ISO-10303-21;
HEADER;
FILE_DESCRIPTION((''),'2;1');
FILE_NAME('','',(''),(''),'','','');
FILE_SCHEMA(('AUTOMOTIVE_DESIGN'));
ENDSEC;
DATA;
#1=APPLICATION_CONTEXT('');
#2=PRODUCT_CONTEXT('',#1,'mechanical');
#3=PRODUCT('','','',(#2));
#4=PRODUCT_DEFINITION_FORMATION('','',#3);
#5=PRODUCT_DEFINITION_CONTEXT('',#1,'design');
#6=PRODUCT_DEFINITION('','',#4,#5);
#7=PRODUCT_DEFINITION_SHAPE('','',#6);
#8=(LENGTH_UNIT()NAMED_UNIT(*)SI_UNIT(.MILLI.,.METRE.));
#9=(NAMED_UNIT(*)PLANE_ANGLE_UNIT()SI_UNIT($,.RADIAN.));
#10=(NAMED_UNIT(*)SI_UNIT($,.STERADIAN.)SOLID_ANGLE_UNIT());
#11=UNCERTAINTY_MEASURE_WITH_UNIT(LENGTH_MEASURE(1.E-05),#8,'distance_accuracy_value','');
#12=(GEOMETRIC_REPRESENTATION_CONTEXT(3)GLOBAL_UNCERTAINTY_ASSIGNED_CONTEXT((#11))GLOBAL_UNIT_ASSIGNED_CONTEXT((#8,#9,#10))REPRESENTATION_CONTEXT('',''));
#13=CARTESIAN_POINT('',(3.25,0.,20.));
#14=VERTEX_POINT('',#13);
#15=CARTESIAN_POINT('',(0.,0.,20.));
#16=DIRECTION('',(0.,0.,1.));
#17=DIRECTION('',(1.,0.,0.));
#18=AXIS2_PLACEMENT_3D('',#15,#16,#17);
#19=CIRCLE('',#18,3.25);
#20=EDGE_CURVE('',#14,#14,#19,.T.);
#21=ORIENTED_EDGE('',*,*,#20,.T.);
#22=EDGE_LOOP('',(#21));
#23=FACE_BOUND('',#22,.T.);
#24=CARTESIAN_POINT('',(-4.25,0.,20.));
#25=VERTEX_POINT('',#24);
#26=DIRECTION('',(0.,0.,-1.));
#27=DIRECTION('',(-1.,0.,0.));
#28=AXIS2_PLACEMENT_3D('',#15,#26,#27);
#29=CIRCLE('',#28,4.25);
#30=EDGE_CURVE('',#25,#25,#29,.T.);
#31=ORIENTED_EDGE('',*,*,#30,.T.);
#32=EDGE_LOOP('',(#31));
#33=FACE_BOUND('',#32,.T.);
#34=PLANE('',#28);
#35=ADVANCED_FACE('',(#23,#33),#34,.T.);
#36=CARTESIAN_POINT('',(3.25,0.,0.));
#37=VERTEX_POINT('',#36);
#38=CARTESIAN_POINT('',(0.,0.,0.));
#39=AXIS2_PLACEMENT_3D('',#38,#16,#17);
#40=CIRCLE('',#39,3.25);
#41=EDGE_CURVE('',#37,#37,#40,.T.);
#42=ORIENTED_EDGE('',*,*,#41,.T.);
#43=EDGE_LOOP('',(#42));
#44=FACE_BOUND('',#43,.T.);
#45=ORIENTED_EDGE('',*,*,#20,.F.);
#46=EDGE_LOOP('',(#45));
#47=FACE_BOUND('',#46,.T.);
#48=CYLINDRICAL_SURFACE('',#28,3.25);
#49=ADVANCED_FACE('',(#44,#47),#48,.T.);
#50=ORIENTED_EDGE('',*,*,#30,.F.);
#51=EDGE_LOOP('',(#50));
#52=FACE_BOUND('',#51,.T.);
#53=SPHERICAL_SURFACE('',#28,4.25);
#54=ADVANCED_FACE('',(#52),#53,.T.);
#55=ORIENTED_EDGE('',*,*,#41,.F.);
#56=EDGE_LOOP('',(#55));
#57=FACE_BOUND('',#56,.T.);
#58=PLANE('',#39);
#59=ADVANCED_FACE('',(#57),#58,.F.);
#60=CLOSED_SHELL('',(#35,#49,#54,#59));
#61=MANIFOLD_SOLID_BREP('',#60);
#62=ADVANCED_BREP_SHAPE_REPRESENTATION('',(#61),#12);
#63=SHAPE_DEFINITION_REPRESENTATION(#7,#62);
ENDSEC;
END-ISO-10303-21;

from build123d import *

# Parameters (mm, degrees)
ESQUISSE1_R        = 3.25
BOSS_EXTRU_1_DEPTH = 20
R_VOLUTION1_ANGLE  = 180


with BuildPart() as part:
    # Esquisse1 → Boss.-Extru.1 (new body)
    with BuildSketch(Plane.XY):
        Circle(ESQUISSE1_R)
    extrude(amount=BOSS_EXTRU_1_DEPTH)

    # Esquisse2 → Révolution1 (revolve)
    with BuildSketch(Plane.XY.offset(20)):
        with BuildLine():
            Line((0, -4.25), (0, 4.25))
            ThreePointArc((0, 4.25), (-4.25, 0), (0, -4.25))
        make_face()
    revolve(axis=Axis((0, -4.25, 20), (0, 1, 0)), revolution_arc=R_VOLUTION1_ANGLE)


solid = part.part
